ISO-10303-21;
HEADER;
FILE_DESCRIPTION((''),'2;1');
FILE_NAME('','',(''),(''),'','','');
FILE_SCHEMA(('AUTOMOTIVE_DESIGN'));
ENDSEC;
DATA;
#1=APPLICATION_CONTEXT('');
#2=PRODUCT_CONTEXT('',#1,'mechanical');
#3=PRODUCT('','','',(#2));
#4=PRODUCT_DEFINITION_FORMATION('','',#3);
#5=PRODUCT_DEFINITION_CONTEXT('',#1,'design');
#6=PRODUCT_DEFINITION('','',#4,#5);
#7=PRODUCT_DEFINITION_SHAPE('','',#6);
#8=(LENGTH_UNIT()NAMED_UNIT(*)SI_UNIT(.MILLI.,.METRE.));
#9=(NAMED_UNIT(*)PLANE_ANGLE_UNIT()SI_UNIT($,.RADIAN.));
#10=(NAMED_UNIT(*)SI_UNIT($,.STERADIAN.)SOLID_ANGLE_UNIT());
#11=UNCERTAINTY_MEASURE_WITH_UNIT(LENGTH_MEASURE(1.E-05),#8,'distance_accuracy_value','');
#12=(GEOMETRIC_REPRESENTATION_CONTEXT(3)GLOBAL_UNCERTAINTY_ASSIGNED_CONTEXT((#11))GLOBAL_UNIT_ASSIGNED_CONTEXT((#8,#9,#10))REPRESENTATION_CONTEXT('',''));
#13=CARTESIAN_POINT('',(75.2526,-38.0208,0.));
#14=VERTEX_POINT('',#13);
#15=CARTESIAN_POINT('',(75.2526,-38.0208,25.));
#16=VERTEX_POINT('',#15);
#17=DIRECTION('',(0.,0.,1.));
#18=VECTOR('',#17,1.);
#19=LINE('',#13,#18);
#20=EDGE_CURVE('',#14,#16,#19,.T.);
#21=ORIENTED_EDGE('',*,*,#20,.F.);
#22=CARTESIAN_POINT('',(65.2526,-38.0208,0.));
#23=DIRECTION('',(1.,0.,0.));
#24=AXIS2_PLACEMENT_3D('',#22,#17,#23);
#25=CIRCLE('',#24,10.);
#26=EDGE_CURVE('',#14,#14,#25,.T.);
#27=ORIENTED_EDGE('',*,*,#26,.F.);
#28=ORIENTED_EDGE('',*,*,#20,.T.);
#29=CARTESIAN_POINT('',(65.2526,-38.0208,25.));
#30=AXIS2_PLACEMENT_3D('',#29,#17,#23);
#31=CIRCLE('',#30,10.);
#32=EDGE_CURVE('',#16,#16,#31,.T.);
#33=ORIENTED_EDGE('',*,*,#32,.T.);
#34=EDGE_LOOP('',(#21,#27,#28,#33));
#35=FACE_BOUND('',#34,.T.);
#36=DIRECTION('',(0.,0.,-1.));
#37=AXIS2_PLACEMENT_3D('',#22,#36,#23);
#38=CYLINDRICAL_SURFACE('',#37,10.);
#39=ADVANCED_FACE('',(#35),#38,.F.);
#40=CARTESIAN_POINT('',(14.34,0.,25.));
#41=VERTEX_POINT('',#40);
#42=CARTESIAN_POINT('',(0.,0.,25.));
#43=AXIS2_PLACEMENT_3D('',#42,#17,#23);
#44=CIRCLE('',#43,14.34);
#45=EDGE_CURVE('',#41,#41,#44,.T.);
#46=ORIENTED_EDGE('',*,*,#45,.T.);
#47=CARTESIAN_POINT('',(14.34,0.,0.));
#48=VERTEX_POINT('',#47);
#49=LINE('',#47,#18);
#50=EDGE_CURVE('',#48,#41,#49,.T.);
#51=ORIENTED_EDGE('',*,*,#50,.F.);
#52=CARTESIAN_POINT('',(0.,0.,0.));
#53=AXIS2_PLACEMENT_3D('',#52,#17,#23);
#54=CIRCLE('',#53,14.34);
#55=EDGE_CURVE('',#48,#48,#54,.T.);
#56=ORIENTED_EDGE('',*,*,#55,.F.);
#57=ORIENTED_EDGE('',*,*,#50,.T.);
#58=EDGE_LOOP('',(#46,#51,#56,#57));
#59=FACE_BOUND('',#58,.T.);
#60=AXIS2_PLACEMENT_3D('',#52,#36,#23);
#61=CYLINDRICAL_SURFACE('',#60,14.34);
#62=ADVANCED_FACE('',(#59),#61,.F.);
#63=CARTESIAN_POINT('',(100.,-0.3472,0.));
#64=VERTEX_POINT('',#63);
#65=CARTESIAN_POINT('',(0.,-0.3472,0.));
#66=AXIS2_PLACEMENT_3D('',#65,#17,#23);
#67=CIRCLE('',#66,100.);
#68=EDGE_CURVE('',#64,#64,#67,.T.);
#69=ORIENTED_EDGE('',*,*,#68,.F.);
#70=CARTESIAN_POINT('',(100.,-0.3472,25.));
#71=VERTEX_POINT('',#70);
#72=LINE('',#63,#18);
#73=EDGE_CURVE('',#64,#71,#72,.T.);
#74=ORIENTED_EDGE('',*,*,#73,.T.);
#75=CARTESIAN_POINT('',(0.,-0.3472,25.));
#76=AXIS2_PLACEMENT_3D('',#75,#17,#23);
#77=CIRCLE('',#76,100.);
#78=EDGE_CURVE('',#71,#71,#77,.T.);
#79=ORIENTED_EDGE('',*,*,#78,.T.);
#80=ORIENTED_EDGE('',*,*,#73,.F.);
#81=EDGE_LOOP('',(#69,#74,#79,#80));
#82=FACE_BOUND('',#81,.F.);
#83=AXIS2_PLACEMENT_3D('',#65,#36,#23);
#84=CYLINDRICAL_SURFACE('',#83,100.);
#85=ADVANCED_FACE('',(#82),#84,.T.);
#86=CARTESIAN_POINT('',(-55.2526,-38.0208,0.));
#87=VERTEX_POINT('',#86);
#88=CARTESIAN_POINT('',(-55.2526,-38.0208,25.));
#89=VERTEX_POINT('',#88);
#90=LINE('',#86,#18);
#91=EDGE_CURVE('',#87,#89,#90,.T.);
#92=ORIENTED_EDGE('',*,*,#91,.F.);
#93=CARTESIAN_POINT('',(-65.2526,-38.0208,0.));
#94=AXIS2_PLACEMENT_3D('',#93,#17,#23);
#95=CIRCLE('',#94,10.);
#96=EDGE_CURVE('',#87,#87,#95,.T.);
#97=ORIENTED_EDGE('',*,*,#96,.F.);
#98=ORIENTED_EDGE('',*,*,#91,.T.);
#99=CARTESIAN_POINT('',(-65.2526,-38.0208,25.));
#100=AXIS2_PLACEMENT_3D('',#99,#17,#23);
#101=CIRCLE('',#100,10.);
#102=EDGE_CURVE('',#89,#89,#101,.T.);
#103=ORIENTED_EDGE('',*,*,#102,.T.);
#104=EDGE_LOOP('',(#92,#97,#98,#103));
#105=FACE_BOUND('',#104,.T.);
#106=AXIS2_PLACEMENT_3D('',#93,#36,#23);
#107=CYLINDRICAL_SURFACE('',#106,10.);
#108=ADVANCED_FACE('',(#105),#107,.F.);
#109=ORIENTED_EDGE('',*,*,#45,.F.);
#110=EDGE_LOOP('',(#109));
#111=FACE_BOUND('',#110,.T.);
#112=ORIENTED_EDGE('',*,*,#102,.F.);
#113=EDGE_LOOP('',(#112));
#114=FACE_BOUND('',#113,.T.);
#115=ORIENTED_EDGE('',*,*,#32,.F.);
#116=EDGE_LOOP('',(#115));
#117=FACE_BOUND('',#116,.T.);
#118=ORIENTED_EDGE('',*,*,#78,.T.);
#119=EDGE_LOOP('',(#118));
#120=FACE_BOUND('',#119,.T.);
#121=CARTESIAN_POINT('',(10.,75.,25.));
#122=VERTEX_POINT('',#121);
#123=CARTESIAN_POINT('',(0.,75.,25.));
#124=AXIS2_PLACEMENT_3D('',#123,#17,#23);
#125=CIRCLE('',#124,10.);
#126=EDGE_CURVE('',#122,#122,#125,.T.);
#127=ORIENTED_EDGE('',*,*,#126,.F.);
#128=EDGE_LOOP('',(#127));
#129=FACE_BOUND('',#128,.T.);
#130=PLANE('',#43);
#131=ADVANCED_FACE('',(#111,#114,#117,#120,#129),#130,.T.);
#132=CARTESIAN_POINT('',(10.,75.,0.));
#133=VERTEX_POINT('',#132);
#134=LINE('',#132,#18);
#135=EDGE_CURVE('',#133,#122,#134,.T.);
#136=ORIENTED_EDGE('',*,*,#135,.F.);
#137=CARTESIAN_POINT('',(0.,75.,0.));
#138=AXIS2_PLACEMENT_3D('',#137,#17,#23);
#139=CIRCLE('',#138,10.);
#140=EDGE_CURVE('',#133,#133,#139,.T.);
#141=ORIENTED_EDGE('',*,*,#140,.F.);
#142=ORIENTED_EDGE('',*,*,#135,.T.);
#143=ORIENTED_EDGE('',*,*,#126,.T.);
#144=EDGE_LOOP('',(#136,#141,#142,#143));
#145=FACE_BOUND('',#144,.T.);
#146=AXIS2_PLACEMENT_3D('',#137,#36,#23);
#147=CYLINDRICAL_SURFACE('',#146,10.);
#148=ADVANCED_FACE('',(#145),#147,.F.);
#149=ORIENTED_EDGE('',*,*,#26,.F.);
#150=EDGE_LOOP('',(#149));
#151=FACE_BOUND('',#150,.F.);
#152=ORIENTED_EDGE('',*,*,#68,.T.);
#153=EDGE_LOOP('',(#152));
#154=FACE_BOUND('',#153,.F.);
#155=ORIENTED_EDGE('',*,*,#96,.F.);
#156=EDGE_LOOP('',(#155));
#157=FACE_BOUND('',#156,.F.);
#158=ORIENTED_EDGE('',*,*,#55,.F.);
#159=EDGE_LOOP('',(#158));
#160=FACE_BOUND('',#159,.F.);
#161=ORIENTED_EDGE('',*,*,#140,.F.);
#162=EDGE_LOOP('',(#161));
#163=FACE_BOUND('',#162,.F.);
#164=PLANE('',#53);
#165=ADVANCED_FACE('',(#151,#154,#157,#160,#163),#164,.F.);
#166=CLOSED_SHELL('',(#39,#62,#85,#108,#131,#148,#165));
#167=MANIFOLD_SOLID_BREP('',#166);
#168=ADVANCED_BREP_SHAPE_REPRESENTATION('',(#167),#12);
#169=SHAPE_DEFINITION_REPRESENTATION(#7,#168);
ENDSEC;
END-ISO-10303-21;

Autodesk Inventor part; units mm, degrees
ref_plane "YZ Plane" through (0, 0, 0) normal (1, 0, 0) x (0, 1, 0)
ref_plane "XZ Plane" through (0, 0, 0) normal (0, 1, 0) x (-1, 0, 0)
ref_plane "XY Plane" through (0, 0, 0) normal (0, 0, 1) x (1, 0, 0)
sketch "Esboço1" plane through (0, 0, 0) normal (0, 0, 1) x (1, 0, 0)
  circle A0 centre (0, 0) radius 14.34
  circle A1 centre (0, -0.3472) radius 100
  circle A2 centre (0, 75) radius 10
  circle A3 centre (-65.2526, -38.0208) radius 10
  circle A4 centre (65.2526, -38.0208) radius 10
  dimension "d0" = 200
  dimension "d1" = 20
  dimension "d2" = 75
  dimension "d5" = 360
extrude "Extrusão1" add sketch "Esboço1" along normal blind 25
properties part number "Disco da Valvula Inventor"
